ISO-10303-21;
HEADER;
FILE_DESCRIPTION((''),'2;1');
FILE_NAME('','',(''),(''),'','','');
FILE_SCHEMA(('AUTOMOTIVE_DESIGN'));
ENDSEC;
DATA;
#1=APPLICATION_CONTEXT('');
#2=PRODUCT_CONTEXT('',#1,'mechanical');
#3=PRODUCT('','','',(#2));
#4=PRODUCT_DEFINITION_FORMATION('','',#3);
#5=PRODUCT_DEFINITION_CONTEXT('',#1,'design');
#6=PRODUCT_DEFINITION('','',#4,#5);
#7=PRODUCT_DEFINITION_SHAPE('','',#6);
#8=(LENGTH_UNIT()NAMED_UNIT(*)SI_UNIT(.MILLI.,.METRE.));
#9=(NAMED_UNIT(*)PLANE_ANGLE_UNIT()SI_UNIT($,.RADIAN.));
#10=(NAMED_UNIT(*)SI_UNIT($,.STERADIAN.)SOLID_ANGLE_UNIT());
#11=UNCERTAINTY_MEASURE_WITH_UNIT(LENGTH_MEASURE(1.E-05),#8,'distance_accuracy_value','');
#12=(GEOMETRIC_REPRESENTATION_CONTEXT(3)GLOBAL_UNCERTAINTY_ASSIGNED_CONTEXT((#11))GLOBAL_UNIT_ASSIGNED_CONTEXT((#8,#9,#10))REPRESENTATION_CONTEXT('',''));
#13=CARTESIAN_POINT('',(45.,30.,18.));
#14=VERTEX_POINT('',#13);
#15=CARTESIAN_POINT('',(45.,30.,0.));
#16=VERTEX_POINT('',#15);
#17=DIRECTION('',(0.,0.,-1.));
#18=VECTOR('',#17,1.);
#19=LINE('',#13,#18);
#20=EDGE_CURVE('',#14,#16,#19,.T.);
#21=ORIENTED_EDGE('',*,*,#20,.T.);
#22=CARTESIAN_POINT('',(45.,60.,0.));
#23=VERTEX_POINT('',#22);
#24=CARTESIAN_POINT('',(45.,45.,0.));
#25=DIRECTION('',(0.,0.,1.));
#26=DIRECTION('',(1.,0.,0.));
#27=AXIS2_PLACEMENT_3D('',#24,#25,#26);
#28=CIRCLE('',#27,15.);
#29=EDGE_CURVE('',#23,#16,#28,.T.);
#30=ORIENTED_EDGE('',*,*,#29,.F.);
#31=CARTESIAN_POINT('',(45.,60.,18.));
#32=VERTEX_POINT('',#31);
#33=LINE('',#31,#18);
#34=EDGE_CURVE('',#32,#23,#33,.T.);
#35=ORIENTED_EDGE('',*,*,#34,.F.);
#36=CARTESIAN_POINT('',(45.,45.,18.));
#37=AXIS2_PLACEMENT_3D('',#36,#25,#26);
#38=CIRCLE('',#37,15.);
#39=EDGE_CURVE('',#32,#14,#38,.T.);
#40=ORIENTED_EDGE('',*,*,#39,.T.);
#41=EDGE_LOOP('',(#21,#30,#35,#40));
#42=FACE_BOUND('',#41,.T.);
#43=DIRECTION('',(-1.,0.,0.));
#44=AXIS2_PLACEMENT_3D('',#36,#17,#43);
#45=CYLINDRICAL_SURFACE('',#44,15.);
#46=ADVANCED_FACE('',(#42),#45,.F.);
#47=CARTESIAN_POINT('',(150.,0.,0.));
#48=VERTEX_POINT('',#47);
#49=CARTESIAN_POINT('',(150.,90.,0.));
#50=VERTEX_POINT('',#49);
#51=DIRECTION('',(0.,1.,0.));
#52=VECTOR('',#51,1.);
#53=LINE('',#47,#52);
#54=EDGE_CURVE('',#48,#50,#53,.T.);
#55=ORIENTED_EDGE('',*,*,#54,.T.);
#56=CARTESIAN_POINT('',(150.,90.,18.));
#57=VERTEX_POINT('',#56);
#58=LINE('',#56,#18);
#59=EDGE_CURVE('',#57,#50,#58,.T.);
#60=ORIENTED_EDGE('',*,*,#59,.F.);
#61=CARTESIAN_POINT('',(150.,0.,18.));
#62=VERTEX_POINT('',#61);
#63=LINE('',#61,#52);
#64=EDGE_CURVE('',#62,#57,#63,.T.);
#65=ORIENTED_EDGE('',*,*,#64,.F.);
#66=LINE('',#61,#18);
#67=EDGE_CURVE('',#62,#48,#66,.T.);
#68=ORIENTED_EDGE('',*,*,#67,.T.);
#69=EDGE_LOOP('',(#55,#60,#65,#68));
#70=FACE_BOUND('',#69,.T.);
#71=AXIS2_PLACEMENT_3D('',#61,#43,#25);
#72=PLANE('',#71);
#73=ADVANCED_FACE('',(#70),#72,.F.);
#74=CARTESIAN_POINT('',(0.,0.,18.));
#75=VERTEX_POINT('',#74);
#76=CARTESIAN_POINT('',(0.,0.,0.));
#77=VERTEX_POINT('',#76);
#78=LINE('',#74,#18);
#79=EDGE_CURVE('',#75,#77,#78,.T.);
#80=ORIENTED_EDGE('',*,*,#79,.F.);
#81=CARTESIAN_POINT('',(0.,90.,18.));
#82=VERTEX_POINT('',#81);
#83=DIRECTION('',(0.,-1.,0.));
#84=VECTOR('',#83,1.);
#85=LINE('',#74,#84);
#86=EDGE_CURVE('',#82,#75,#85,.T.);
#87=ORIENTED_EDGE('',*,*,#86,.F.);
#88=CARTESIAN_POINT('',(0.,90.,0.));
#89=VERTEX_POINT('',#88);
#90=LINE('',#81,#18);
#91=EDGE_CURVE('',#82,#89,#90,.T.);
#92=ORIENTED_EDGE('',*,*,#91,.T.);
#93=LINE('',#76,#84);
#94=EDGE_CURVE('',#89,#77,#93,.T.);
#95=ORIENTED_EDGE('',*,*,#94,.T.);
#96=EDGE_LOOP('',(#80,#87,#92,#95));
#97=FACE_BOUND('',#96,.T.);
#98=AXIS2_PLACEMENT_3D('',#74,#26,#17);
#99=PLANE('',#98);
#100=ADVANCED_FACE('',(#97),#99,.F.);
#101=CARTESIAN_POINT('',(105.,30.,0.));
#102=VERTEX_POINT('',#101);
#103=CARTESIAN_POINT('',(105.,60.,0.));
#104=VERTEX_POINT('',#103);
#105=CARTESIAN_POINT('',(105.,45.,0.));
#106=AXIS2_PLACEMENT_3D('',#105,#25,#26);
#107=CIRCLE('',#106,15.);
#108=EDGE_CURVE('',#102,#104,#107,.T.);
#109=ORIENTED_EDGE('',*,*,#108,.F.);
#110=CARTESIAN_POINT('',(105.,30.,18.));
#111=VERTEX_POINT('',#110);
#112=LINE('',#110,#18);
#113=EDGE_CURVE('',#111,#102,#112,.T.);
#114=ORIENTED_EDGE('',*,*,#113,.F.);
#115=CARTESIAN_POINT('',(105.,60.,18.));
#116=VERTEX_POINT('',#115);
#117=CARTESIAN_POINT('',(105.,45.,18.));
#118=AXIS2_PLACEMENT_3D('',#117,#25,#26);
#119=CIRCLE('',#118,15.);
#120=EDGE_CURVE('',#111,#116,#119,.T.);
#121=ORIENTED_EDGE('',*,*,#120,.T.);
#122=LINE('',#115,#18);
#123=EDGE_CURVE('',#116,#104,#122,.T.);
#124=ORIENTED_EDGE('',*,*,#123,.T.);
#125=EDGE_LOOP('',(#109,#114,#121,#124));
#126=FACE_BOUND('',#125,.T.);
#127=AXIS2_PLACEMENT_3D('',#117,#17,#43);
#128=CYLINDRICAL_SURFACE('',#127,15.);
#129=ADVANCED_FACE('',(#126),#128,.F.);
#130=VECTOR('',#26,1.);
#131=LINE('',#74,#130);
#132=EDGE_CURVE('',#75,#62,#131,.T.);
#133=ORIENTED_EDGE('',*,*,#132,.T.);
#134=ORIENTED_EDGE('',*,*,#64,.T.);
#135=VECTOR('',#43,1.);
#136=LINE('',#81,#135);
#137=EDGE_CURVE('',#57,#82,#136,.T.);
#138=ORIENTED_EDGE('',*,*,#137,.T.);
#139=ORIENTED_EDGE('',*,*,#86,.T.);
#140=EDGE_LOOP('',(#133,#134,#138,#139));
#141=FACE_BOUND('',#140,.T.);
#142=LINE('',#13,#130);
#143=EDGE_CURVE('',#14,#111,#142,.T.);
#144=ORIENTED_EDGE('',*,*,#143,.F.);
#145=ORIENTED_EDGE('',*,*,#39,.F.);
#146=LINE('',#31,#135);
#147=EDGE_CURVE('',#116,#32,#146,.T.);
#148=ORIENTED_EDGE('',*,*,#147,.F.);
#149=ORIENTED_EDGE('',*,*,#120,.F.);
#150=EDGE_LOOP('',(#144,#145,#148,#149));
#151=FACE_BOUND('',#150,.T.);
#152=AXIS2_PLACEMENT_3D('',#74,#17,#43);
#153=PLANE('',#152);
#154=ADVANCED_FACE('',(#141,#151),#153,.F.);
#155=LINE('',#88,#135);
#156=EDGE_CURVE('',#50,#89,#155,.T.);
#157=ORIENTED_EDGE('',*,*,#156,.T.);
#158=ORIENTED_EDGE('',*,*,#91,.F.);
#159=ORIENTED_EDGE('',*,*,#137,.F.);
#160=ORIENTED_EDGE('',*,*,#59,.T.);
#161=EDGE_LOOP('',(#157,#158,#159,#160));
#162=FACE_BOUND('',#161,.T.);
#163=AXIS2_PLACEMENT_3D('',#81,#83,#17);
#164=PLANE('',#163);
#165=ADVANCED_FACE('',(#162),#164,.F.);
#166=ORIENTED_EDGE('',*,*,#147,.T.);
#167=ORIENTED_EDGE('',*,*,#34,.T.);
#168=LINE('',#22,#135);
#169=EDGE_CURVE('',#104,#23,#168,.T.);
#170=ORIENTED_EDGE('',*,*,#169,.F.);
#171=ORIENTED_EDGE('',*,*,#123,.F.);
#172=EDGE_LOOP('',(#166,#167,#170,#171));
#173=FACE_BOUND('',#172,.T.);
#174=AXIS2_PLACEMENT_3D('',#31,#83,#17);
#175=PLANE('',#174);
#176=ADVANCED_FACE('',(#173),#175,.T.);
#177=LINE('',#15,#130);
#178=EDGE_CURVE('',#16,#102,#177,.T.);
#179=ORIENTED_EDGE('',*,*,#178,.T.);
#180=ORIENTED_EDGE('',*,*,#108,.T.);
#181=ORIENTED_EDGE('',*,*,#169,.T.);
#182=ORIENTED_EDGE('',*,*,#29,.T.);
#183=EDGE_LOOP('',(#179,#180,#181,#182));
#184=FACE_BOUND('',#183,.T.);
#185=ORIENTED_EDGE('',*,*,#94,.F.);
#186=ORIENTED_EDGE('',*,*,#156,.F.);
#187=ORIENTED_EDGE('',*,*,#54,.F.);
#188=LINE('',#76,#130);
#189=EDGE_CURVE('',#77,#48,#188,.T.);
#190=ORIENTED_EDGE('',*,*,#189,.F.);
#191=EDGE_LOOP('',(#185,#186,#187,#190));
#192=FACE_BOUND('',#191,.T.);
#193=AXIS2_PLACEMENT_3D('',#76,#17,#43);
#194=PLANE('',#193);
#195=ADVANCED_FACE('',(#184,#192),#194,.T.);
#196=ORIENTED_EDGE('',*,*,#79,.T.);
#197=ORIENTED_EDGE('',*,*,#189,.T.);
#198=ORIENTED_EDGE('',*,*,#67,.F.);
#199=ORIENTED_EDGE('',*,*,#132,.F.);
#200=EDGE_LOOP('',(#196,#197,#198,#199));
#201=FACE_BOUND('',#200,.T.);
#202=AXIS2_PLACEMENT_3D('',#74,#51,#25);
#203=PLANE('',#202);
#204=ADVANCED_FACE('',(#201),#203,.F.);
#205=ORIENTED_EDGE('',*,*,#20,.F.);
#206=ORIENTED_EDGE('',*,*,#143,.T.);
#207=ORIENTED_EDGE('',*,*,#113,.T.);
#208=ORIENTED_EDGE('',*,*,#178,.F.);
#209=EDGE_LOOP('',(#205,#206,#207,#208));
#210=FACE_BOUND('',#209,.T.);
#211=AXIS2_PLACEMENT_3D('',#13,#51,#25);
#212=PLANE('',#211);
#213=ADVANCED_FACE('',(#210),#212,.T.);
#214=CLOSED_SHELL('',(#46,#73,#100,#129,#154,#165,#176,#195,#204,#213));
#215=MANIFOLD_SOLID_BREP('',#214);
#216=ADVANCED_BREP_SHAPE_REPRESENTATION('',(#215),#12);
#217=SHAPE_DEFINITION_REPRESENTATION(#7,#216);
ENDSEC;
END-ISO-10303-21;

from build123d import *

# Parameters (mm, degrees)
SKETCH1_W           = 150
SKETCH1_H           = 90
BOSS_EXTRUDE1_DEPTH = 18


with BuildPart() as part:
    # Sketch1 → Boss-Extrude1 (new body)
    with BuildSketch(Plane.XY):
        with Locations((75, 45)):
            Rectangle(SKETCH1_W, SKETCH1_H)
        with BuildLine():
            Line((45, 30), (105, 30))
            ThreePointArc((105, 30), (120, 45), (105, 60))
            Line((105, 60), (45, 60))
            ThreePointArc((45, 60), (30, 45), (45, 30))
        make_face(mode=Mode.SUBTRACT)
    extrude(amount=BOSS_EXTRUDE1_DEPTH)


solid = part.part
